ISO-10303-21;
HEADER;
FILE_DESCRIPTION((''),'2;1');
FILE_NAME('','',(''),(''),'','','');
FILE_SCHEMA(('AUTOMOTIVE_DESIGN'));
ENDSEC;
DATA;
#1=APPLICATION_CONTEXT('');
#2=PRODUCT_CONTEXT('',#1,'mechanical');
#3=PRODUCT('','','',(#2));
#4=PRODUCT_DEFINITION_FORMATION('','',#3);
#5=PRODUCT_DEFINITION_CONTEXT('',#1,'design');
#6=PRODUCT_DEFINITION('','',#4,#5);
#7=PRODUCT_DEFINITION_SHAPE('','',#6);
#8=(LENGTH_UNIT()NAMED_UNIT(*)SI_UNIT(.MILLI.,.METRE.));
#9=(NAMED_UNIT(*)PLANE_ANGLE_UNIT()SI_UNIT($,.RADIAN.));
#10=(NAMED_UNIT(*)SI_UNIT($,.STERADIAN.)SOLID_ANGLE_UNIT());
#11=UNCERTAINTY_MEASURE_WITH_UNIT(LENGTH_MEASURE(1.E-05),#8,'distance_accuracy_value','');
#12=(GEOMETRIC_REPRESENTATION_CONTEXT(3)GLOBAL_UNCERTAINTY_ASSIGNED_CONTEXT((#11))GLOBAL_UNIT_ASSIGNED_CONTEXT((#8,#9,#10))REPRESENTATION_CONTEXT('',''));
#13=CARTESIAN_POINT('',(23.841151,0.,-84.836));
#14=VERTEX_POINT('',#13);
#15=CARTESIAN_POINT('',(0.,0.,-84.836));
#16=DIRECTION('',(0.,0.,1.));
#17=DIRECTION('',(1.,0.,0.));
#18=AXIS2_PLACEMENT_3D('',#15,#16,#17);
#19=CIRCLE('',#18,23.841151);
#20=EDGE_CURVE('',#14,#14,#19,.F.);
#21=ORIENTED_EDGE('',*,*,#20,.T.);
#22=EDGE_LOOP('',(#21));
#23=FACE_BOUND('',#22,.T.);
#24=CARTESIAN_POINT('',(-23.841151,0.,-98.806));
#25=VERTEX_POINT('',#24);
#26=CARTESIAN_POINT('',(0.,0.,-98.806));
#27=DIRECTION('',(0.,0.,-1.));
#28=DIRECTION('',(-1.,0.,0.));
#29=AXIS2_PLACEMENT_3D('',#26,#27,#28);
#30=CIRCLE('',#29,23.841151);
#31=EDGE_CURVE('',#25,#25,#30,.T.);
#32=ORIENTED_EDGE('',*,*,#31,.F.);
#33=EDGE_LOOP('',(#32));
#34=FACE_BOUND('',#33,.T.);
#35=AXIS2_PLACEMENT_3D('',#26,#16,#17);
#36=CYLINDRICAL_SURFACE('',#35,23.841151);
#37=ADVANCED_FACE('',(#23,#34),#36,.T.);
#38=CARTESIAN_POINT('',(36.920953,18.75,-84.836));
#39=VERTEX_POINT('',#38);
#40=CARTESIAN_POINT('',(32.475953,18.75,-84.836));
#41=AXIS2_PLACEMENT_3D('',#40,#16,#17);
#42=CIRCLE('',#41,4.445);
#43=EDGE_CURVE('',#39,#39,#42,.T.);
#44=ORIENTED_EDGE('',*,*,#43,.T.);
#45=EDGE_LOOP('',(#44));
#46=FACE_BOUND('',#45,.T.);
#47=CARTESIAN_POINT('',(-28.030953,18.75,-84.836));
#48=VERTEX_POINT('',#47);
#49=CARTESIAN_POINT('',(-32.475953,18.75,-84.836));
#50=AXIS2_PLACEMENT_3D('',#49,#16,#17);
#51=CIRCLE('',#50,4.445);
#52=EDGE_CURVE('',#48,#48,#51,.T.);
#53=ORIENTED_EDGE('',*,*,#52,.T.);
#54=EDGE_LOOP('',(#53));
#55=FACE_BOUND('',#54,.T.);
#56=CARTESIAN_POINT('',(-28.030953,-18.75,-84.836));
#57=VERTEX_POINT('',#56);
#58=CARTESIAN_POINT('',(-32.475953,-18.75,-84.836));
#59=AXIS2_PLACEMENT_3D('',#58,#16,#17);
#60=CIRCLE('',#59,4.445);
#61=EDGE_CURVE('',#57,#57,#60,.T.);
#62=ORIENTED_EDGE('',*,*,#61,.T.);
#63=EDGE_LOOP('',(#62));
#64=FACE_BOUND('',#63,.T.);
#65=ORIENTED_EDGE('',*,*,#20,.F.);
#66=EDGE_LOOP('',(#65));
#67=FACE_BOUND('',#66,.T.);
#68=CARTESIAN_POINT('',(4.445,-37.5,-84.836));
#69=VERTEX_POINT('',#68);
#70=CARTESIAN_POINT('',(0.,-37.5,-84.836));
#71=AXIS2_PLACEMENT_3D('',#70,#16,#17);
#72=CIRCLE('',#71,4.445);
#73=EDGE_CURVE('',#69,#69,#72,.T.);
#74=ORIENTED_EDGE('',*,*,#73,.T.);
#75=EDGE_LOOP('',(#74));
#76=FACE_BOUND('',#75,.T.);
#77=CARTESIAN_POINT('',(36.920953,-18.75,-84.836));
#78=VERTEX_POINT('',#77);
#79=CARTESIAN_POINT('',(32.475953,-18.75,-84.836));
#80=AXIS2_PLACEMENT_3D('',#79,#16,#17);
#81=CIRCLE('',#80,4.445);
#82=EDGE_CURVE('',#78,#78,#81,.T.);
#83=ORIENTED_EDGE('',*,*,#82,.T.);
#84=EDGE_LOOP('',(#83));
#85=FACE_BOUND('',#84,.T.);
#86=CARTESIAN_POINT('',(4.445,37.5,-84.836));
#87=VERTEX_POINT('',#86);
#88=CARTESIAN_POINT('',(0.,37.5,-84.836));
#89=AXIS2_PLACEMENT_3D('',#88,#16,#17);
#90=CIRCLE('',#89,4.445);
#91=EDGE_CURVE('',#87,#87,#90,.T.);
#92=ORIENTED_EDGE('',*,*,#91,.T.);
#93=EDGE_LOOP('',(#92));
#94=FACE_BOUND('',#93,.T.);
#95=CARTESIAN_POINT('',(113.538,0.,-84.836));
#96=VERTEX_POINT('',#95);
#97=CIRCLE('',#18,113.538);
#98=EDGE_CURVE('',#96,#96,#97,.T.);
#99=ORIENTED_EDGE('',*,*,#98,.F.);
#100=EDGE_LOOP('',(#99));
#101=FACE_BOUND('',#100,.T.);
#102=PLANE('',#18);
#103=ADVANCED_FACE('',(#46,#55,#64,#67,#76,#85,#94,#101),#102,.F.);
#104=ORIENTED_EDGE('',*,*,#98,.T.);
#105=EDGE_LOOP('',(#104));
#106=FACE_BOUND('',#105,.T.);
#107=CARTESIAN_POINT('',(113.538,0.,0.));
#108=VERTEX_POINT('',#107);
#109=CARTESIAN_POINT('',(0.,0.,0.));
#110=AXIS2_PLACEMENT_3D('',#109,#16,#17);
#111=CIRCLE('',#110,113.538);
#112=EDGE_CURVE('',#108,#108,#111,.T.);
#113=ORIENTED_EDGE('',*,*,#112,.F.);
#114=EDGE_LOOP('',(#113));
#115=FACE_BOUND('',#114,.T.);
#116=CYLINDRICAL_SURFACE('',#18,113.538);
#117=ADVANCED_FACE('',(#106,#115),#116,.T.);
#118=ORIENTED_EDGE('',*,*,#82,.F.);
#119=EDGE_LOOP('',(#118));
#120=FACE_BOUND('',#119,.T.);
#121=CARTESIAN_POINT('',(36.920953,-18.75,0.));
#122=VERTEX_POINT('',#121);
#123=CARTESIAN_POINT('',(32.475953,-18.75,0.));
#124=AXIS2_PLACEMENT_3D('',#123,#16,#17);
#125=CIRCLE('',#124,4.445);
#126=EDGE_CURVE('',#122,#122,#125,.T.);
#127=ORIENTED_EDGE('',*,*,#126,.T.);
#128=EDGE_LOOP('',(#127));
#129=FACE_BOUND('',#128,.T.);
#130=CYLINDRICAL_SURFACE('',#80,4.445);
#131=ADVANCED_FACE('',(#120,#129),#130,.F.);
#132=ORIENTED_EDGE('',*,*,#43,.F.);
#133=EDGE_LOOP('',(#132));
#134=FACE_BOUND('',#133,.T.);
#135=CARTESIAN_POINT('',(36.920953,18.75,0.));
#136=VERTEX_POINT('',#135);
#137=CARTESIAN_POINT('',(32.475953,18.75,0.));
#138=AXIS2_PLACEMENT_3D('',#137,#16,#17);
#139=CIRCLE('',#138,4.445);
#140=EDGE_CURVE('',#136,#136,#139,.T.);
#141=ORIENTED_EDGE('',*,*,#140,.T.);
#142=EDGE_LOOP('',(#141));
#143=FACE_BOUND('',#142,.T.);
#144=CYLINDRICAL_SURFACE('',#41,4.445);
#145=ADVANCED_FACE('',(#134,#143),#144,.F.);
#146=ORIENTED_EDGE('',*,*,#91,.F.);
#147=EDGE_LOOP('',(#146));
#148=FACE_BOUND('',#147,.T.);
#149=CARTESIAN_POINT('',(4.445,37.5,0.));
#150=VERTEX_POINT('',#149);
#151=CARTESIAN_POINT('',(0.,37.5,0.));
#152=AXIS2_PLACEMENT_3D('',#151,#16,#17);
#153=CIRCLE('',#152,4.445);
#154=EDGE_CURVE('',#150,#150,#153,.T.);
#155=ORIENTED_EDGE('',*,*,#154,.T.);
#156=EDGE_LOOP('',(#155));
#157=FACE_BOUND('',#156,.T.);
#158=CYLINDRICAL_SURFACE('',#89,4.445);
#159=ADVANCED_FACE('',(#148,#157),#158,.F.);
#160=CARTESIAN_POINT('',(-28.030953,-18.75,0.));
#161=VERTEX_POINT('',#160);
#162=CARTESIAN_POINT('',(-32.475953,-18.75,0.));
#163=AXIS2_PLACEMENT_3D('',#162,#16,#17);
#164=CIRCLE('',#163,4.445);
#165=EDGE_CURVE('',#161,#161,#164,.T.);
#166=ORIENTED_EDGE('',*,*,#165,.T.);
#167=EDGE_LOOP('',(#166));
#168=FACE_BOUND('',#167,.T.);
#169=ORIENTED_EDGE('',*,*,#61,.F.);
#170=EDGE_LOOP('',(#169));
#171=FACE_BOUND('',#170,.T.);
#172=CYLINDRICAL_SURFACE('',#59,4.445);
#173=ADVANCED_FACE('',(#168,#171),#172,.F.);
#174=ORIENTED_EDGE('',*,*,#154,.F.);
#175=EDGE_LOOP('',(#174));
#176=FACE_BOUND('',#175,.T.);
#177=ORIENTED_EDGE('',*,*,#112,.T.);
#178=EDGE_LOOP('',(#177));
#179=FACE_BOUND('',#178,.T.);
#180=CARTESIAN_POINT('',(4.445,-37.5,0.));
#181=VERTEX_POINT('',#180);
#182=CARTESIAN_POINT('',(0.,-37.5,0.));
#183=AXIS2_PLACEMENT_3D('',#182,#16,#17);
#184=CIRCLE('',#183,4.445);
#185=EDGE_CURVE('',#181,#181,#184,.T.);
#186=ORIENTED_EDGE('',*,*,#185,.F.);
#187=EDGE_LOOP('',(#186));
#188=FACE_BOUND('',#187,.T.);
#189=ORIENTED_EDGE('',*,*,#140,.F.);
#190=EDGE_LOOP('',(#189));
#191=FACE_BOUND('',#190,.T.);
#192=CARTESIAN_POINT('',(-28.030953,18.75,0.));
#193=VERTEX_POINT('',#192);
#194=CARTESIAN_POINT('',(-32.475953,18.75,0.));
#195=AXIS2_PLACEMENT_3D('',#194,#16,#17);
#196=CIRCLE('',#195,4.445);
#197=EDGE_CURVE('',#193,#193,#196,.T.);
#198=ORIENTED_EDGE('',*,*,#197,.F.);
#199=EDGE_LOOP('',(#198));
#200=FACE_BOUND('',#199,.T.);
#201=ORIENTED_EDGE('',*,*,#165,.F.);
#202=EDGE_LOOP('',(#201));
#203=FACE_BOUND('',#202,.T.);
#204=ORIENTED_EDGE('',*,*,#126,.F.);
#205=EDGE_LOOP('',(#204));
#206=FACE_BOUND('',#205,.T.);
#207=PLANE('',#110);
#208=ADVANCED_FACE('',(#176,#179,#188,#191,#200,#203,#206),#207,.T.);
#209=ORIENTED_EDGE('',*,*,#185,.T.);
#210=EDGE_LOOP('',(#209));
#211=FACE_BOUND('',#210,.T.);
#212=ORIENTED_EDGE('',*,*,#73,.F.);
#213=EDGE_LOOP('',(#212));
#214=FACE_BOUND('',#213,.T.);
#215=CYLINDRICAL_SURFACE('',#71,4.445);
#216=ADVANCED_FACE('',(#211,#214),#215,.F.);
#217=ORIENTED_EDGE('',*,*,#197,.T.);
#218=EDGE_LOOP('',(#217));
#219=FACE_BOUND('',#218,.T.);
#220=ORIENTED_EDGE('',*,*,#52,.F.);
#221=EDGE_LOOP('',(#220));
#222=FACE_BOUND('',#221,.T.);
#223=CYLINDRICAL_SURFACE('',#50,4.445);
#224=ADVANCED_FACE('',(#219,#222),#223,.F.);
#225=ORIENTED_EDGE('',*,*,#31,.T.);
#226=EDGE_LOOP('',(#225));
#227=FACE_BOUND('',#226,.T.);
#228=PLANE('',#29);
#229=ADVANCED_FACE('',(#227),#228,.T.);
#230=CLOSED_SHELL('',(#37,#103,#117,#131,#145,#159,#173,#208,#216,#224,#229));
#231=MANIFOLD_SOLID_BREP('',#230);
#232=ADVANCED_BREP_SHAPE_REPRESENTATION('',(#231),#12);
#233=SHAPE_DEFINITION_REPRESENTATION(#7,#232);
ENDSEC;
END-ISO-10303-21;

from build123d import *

# Parameters (mm, degrees)
SKETCH1_R               = 113.538
BOSS_EXTRUDE1_DEPTH     = 84.836
CUT_EXTRUDE1_DEPTH      = 182.600941033
CUT_EXTRUDE1_DEPTH_BACK = 182.600941033
SKETCH2_R               = 4.445
SKETCH4_R               = 23.841151021
BOSS_EXTRUDE2_DEPTH     = 13.97


with BuildPart() as part:
    # Sketch1 → Boss-Extrude1 (new body)
    with BuildSketch(Plane.XY):
        Circle(SKETCH1_R)
    extrude(amount=-BOSS_EXTRUDE1_DEPTH)

    # Sketch2 → Cut-Extrude1 (cut, two sides: drawn at the far end of the back side and taken through both)
    with BuildSketch(Plane.XY.offset(-CUT_EXTRUDE1_DEPTH_BACK)):
        with Locations((0, 37.49999993)):
            Circle(SKETCH2_R)
        with Locations((32.475952581, 18.749999965)):
            Circle(SKETCH2_R)
        with Locations((32.475952581, -18.749999965)):
            Circle(SKETCH2_R)
        with Locations((0, -37.49999993)):
            Circle(SKETCH2_R)
        with Locations((-32.475952581, -18.749999965)):
            Circle(SKETCH2_R)
        with Locations((-32.475952581, 18.749999965)):
            Circle(SKETCH2_R)
    extrude(amount=CUT_EXTRUDE1_DEPTH + CUT_EXTRUDE1_DEPTH_BACK, mode=Mode.SUBTRACT)

    # Sketch4 → Boss-Extrude2 (add)
    with BuildSketch(Plane(origin=(0, 0, -84.836), x_dir=(-1, 0, 0), z_dir=(0, 0, -1))):
        with Locations(Location((0, 0, 0), (0, 0, 180))):
            Circle(SKETCH4_R)
    extrude(amount=BOSS_EXTRUDE2_DEPTH)


solid = part.part
